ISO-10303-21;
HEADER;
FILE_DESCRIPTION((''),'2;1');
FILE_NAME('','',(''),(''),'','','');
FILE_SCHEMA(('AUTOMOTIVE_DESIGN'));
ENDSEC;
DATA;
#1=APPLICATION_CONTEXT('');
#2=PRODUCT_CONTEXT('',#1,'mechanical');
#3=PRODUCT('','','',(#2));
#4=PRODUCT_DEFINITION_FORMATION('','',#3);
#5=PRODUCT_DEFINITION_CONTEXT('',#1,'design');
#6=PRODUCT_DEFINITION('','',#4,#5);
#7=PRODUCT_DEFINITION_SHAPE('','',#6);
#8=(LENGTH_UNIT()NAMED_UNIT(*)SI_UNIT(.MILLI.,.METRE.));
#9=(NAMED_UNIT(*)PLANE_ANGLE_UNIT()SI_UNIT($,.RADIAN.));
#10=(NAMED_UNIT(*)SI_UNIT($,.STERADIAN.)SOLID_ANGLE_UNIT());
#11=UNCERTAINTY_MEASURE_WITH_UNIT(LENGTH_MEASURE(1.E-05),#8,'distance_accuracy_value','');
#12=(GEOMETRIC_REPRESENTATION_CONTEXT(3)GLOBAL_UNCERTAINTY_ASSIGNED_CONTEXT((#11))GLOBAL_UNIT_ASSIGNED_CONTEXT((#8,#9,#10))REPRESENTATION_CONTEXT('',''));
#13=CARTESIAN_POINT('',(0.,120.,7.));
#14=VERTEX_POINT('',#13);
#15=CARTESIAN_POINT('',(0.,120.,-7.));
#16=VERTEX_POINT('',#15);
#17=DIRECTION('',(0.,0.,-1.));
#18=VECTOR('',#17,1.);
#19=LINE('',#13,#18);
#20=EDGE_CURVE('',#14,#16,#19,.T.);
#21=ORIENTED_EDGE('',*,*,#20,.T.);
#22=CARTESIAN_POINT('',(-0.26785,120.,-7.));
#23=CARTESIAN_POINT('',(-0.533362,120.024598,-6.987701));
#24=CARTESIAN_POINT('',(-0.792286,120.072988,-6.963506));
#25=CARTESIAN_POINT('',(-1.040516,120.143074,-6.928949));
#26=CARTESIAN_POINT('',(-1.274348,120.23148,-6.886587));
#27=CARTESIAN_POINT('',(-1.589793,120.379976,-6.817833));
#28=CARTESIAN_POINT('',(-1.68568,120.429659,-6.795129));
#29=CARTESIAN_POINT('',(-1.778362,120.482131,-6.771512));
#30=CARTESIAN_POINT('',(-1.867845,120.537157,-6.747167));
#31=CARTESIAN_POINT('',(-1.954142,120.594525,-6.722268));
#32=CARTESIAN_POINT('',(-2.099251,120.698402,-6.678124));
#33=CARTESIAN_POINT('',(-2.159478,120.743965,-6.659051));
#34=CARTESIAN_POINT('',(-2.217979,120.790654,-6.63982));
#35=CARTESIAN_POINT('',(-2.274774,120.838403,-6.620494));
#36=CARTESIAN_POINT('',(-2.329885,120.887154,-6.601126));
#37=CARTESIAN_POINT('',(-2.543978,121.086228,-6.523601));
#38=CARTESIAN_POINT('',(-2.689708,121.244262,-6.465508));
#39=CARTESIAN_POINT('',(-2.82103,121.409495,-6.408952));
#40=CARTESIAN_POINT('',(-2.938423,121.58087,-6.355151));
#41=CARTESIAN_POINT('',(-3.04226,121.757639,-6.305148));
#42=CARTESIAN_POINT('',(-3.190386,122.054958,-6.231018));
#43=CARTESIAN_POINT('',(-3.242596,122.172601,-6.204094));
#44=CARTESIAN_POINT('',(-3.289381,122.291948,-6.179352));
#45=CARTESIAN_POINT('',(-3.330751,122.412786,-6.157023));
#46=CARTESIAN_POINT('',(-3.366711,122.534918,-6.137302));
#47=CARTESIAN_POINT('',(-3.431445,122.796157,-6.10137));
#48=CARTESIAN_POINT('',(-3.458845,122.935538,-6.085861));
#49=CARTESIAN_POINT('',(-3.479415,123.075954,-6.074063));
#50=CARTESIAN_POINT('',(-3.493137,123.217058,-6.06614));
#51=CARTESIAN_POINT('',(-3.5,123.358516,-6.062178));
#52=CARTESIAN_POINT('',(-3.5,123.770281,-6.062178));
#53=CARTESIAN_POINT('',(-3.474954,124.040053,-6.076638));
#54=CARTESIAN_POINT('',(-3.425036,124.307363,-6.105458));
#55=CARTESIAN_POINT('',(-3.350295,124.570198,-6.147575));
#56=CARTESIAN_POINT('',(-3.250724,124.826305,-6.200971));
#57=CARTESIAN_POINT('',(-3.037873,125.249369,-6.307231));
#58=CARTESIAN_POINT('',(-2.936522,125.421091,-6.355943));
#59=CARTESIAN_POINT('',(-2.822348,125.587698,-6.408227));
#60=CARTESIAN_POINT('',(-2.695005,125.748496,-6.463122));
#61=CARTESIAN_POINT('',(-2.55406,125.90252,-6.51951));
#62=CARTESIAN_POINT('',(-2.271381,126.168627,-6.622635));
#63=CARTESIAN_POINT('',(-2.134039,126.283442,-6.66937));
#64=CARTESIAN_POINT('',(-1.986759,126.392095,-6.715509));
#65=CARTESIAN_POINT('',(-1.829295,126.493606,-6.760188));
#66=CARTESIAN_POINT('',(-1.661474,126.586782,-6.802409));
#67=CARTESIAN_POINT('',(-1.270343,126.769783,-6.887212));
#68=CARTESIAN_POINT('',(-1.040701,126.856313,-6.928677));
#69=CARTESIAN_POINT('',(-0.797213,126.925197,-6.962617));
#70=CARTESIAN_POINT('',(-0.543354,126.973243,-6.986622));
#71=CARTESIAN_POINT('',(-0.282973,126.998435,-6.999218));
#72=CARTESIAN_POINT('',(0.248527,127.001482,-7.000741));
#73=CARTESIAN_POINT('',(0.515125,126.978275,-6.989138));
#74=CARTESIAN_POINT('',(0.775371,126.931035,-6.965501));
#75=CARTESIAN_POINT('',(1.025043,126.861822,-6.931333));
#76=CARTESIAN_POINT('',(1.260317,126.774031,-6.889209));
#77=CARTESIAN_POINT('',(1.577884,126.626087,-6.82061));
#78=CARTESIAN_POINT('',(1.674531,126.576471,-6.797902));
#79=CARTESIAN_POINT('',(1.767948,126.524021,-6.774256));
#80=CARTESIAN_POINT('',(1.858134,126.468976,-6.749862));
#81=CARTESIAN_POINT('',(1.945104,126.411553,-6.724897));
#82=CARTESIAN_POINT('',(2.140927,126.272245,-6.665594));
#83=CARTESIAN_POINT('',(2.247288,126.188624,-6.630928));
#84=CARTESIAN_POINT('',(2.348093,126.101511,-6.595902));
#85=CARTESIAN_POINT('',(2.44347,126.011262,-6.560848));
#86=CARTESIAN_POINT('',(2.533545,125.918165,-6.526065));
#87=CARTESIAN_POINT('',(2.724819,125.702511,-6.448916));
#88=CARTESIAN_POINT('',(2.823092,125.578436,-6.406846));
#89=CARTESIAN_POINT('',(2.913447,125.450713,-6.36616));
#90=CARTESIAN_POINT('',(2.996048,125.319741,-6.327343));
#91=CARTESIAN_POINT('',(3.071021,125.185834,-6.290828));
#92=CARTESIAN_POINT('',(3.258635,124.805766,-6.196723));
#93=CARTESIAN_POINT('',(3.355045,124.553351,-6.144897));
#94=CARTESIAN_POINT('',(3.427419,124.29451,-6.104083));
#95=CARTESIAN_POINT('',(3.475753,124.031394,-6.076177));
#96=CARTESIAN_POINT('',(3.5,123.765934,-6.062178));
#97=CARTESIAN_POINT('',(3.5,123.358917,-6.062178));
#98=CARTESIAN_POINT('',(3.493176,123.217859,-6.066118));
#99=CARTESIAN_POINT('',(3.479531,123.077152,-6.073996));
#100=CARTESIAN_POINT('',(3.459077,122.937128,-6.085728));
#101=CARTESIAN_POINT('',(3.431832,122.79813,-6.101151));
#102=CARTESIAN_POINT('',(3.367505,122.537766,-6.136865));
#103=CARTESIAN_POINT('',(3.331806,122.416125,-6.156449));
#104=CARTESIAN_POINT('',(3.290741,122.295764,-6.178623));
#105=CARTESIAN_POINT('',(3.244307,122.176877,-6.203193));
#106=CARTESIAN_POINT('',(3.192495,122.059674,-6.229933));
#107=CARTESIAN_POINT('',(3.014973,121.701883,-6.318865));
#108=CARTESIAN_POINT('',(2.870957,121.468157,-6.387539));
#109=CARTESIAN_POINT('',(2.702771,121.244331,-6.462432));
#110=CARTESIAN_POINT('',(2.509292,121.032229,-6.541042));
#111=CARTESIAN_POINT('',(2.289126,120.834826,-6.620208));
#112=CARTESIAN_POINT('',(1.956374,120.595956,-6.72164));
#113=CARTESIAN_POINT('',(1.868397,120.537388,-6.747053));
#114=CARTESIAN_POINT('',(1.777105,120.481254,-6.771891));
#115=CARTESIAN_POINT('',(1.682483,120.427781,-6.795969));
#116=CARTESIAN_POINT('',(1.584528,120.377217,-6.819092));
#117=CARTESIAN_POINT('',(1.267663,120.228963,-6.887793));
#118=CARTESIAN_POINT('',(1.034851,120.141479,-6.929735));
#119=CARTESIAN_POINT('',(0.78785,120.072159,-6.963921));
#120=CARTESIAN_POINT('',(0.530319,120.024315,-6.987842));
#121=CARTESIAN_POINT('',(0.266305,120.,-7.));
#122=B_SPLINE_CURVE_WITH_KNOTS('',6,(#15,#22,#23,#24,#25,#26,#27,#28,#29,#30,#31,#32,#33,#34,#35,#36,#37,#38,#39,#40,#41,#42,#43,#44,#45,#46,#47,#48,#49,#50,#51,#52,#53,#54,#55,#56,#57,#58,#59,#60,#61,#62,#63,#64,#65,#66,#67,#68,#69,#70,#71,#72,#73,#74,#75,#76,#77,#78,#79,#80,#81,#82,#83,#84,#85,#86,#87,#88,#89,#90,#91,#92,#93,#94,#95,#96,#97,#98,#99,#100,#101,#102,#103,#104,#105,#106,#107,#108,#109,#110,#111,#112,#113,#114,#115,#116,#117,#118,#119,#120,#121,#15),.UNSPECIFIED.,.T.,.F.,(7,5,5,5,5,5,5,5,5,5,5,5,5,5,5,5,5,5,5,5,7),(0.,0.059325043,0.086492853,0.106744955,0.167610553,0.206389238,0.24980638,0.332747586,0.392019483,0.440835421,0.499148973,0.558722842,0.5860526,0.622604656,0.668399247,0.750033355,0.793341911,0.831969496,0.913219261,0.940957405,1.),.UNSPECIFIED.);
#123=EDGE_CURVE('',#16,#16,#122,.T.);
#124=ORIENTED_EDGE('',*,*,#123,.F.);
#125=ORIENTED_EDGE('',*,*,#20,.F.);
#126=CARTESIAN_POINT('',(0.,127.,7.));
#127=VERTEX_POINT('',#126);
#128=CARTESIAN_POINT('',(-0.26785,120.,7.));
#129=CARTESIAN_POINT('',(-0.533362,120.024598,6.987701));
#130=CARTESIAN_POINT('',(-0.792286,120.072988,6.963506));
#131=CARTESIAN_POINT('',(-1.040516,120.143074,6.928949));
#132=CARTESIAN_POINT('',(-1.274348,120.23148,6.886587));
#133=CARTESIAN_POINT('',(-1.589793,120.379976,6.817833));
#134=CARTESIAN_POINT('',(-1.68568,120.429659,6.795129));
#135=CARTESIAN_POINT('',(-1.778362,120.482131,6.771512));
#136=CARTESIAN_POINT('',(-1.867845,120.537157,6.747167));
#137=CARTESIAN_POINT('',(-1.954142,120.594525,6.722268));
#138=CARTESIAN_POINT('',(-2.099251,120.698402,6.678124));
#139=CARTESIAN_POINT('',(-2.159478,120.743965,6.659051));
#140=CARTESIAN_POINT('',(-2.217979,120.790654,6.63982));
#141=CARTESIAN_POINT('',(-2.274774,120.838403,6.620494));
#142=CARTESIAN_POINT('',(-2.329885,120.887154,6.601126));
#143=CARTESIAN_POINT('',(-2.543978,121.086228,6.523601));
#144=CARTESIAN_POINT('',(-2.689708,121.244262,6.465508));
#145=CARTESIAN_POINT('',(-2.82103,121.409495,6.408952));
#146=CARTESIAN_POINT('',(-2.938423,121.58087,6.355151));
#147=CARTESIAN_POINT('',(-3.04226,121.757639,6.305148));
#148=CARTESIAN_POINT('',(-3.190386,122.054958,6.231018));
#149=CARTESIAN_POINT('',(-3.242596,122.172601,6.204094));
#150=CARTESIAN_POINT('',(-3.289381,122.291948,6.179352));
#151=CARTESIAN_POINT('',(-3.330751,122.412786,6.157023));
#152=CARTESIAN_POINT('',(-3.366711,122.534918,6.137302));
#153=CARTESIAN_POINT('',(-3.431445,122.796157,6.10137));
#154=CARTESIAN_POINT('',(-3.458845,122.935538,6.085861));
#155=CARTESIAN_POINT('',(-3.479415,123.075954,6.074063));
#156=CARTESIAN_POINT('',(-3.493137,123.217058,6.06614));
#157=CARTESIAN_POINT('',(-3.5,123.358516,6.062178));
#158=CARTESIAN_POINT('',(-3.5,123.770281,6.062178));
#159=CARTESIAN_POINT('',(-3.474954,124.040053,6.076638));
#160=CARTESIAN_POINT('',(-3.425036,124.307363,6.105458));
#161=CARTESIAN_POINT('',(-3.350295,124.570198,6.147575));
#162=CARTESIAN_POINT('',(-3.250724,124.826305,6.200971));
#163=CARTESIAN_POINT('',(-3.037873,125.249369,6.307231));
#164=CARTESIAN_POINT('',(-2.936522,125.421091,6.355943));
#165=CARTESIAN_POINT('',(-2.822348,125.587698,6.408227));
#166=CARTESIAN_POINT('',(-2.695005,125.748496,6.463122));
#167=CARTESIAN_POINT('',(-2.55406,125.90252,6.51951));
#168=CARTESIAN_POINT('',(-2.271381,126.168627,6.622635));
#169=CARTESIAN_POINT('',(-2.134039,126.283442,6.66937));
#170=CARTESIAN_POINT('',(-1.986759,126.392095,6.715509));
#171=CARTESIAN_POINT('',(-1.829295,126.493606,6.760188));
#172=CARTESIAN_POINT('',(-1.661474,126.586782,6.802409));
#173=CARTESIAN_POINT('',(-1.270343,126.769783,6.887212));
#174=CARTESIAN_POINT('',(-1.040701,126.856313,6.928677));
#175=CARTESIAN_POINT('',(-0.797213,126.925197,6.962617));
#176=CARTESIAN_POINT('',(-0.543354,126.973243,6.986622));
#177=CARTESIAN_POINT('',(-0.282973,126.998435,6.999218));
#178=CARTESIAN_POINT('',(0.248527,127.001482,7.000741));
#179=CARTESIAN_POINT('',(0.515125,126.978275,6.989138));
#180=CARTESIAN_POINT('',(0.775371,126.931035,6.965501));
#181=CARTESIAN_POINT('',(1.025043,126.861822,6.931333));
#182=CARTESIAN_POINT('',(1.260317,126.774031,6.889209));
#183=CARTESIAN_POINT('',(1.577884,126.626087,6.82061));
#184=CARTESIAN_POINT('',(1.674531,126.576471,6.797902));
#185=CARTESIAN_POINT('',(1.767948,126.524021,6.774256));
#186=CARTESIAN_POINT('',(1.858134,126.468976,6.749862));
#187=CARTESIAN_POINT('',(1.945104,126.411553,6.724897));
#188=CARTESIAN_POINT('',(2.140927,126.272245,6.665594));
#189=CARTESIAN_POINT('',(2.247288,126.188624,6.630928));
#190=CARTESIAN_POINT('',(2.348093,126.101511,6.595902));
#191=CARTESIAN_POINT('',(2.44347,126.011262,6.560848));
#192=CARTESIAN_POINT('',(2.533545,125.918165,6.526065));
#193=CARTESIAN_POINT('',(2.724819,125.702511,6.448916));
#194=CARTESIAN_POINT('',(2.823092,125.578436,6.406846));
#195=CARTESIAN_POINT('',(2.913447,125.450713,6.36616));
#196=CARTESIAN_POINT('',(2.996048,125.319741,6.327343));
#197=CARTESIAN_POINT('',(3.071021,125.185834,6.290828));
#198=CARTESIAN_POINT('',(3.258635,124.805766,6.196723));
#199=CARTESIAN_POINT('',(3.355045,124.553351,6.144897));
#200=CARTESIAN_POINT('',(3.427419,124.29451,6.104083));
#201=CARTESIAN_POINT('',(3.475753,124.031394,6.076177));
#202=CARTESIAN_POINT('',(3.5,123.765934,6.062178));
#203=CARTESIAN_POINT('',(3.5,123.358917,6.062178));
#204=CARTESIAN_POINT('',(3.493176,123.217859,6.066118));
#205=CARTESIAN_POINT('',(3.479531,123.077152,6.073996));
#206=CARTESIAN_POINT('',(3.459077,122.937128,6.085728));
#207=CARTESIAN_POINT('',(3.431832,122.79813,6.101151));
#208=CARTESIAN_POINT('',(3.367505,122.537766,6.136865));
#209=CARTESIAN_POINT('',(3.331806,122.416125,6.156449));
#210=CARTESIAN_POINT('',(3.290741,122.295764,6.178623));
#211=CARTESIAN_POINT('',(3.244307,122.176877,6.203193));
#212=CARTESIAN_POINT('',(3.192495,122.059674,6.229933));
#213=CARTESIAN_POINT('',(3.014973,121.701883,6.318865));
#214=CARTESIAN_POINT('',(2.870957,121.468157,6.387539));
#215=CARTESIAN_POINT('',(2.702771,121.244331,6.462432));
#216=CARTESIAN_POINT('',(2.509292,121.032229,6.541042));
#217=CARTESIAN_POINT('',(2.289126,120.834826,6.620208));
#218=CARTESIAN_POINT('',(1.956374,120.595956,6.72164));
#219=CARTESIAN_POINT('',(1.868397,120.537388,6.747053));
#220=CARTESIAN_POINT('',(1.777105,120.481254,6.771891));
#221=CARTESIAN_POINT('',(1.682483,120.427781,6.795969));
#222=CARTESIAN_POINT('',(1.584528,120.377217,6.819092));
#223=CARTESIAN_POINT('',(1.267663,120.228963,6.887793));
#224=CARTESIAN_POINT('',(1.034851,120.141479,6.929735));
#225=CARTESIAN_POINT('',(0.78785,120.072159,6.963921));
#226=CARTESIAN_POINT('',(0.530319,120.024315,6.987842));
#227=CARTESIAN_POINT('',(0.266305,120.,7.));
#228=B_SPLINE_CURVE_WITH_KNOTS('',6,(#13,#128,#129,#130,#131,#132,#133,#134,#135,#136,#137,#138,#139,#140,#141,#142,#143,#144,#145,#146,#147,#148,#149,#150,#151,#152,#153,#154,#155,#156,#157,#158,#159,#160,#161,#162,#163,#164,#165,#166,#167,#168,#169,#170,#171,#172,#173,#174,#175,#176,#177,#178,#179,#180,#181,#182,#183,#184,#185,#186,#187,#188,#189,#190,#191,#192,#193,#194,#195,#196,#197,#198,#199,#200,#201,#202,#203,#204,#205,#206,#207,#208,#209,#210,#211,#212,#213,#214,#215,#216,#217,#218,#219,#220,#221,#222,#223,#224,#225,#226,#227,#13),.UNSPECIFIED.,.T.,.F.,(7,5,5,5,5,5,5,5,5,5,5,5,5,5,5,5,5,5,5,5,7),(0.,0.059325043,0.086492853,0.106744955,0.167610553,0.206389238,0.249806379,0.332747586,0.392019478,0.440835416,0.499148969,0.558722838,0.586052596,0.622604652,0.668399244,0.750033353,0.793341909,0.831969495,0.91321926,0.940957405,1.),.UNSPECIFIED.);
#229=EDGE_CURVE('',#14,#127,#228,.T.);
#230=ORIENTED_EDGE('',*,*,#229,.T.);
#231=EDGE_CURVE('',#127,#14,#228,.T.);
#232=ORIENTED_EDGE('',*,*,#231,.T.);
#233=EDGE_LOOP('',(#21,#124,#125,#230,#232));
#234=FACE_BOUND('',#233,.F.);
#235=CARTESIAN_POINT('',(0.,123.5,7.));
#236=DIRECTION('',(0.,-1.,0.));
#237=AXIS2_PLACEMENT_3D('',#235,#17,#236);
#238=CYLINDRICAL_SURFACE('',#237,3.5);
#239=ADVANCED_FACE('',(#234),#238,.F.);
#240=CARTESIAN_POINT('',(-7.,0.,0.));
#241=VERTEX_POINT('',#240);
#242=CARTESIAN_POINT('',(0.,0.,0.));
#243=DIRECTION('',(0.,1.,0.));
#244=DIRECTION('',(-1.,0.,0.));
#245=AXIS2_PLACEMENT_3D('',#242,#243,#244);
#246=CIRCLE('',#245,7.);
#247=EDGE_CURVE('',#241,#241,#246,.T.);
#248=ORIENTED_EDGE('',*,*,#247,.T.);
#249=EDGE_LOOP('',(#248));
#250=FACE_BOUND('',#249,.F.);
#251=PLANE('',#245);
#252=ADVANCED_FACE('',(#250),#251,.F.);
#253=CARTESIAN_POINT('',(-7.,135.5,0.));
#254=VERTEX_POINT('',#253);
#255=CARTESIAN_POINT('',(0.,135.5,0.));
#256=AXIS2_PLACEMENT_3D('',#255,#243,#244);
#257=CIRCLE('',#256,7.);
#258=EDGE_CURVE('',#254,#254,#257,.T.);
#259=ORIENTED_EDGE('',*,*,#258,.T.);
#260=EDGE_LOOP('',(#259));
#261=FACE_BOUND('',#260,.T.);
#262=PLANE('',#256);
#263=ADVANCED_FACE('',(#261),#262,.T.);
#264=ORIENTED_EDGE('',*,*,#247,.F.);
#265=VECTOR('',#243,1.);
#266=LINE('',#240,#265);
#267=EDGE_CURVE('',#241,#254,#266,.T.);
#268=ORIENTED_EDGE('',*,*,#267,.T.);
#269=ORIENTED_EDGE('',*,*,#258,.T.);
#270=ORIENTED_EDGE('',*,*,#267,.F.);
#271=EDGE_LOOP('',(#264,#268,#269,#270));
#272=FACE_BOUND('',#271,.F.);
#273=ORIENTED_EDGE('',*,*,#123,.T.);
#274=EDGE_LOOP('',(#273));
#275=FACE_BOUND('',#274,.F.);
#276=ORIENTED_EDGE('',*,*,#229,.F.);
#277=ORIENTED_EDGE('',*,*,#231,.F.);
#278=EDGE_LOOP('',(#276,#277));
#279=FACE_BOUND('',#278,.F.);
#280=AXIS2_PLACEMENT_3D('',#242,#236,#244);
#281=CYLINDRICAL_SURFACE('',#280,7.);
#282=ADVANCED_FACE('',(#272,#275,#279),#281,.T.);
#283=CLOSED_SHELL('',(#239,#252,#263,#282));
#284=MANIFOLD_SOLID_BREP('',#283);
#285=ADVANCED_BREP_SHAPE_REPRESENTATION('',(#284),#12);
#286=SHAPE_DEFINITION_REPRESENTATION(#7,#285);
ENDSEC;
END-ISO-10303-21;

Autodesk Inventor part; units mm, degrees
ref_plane "YZ Plane" through (0, 0, 0) normal (1, 0, 0) x (0, 1, 0)
ref_plane "XZ Plane" through (0, 0, 0) normal (0, 1, 0) x (-1, 0, 0)
sketch "Boceto1" plane through (0, 0, 0) normal (0, 1, 0) x (-1, 0, 0)
  circle A0 centre (0, 0) radius 7
  dimension "d0" = 14
extrude "Extrusión1" add sketch "Boceto1" along normal blind 135.5
sketch "Boceto2" plane through (0, 135.5, 0) normal (0, 1, 0) x (1, 0, 0)
  line L0 (0, 0) -> (0, -7) construction
  circle A0 centre (0, 0) radius 7 projected
ref_plane "Plano de trabajo1" through (0, 135.5, 7) normal (0, 0, 1) x (1, 0, 0)
sketch "Boceto3" plane through (0, 135.5, 7) normal (0, 0, 1) x (1, 0, 0)
  line L0 (7, 0) -> (-7, 0) construction
  line L1 (0, 0) -> (0, -12) construction
  circle A0 centre (0, -12) radius 3.5
  point P0 (0, -135.5)
  dimension "d3" = 12
  dimension "d4" = 7
hole "Agujero1" at (0, 123.5, 7) direction (0, 0, -1) diameter 7 end through all
properties part number "16_Soporte"
